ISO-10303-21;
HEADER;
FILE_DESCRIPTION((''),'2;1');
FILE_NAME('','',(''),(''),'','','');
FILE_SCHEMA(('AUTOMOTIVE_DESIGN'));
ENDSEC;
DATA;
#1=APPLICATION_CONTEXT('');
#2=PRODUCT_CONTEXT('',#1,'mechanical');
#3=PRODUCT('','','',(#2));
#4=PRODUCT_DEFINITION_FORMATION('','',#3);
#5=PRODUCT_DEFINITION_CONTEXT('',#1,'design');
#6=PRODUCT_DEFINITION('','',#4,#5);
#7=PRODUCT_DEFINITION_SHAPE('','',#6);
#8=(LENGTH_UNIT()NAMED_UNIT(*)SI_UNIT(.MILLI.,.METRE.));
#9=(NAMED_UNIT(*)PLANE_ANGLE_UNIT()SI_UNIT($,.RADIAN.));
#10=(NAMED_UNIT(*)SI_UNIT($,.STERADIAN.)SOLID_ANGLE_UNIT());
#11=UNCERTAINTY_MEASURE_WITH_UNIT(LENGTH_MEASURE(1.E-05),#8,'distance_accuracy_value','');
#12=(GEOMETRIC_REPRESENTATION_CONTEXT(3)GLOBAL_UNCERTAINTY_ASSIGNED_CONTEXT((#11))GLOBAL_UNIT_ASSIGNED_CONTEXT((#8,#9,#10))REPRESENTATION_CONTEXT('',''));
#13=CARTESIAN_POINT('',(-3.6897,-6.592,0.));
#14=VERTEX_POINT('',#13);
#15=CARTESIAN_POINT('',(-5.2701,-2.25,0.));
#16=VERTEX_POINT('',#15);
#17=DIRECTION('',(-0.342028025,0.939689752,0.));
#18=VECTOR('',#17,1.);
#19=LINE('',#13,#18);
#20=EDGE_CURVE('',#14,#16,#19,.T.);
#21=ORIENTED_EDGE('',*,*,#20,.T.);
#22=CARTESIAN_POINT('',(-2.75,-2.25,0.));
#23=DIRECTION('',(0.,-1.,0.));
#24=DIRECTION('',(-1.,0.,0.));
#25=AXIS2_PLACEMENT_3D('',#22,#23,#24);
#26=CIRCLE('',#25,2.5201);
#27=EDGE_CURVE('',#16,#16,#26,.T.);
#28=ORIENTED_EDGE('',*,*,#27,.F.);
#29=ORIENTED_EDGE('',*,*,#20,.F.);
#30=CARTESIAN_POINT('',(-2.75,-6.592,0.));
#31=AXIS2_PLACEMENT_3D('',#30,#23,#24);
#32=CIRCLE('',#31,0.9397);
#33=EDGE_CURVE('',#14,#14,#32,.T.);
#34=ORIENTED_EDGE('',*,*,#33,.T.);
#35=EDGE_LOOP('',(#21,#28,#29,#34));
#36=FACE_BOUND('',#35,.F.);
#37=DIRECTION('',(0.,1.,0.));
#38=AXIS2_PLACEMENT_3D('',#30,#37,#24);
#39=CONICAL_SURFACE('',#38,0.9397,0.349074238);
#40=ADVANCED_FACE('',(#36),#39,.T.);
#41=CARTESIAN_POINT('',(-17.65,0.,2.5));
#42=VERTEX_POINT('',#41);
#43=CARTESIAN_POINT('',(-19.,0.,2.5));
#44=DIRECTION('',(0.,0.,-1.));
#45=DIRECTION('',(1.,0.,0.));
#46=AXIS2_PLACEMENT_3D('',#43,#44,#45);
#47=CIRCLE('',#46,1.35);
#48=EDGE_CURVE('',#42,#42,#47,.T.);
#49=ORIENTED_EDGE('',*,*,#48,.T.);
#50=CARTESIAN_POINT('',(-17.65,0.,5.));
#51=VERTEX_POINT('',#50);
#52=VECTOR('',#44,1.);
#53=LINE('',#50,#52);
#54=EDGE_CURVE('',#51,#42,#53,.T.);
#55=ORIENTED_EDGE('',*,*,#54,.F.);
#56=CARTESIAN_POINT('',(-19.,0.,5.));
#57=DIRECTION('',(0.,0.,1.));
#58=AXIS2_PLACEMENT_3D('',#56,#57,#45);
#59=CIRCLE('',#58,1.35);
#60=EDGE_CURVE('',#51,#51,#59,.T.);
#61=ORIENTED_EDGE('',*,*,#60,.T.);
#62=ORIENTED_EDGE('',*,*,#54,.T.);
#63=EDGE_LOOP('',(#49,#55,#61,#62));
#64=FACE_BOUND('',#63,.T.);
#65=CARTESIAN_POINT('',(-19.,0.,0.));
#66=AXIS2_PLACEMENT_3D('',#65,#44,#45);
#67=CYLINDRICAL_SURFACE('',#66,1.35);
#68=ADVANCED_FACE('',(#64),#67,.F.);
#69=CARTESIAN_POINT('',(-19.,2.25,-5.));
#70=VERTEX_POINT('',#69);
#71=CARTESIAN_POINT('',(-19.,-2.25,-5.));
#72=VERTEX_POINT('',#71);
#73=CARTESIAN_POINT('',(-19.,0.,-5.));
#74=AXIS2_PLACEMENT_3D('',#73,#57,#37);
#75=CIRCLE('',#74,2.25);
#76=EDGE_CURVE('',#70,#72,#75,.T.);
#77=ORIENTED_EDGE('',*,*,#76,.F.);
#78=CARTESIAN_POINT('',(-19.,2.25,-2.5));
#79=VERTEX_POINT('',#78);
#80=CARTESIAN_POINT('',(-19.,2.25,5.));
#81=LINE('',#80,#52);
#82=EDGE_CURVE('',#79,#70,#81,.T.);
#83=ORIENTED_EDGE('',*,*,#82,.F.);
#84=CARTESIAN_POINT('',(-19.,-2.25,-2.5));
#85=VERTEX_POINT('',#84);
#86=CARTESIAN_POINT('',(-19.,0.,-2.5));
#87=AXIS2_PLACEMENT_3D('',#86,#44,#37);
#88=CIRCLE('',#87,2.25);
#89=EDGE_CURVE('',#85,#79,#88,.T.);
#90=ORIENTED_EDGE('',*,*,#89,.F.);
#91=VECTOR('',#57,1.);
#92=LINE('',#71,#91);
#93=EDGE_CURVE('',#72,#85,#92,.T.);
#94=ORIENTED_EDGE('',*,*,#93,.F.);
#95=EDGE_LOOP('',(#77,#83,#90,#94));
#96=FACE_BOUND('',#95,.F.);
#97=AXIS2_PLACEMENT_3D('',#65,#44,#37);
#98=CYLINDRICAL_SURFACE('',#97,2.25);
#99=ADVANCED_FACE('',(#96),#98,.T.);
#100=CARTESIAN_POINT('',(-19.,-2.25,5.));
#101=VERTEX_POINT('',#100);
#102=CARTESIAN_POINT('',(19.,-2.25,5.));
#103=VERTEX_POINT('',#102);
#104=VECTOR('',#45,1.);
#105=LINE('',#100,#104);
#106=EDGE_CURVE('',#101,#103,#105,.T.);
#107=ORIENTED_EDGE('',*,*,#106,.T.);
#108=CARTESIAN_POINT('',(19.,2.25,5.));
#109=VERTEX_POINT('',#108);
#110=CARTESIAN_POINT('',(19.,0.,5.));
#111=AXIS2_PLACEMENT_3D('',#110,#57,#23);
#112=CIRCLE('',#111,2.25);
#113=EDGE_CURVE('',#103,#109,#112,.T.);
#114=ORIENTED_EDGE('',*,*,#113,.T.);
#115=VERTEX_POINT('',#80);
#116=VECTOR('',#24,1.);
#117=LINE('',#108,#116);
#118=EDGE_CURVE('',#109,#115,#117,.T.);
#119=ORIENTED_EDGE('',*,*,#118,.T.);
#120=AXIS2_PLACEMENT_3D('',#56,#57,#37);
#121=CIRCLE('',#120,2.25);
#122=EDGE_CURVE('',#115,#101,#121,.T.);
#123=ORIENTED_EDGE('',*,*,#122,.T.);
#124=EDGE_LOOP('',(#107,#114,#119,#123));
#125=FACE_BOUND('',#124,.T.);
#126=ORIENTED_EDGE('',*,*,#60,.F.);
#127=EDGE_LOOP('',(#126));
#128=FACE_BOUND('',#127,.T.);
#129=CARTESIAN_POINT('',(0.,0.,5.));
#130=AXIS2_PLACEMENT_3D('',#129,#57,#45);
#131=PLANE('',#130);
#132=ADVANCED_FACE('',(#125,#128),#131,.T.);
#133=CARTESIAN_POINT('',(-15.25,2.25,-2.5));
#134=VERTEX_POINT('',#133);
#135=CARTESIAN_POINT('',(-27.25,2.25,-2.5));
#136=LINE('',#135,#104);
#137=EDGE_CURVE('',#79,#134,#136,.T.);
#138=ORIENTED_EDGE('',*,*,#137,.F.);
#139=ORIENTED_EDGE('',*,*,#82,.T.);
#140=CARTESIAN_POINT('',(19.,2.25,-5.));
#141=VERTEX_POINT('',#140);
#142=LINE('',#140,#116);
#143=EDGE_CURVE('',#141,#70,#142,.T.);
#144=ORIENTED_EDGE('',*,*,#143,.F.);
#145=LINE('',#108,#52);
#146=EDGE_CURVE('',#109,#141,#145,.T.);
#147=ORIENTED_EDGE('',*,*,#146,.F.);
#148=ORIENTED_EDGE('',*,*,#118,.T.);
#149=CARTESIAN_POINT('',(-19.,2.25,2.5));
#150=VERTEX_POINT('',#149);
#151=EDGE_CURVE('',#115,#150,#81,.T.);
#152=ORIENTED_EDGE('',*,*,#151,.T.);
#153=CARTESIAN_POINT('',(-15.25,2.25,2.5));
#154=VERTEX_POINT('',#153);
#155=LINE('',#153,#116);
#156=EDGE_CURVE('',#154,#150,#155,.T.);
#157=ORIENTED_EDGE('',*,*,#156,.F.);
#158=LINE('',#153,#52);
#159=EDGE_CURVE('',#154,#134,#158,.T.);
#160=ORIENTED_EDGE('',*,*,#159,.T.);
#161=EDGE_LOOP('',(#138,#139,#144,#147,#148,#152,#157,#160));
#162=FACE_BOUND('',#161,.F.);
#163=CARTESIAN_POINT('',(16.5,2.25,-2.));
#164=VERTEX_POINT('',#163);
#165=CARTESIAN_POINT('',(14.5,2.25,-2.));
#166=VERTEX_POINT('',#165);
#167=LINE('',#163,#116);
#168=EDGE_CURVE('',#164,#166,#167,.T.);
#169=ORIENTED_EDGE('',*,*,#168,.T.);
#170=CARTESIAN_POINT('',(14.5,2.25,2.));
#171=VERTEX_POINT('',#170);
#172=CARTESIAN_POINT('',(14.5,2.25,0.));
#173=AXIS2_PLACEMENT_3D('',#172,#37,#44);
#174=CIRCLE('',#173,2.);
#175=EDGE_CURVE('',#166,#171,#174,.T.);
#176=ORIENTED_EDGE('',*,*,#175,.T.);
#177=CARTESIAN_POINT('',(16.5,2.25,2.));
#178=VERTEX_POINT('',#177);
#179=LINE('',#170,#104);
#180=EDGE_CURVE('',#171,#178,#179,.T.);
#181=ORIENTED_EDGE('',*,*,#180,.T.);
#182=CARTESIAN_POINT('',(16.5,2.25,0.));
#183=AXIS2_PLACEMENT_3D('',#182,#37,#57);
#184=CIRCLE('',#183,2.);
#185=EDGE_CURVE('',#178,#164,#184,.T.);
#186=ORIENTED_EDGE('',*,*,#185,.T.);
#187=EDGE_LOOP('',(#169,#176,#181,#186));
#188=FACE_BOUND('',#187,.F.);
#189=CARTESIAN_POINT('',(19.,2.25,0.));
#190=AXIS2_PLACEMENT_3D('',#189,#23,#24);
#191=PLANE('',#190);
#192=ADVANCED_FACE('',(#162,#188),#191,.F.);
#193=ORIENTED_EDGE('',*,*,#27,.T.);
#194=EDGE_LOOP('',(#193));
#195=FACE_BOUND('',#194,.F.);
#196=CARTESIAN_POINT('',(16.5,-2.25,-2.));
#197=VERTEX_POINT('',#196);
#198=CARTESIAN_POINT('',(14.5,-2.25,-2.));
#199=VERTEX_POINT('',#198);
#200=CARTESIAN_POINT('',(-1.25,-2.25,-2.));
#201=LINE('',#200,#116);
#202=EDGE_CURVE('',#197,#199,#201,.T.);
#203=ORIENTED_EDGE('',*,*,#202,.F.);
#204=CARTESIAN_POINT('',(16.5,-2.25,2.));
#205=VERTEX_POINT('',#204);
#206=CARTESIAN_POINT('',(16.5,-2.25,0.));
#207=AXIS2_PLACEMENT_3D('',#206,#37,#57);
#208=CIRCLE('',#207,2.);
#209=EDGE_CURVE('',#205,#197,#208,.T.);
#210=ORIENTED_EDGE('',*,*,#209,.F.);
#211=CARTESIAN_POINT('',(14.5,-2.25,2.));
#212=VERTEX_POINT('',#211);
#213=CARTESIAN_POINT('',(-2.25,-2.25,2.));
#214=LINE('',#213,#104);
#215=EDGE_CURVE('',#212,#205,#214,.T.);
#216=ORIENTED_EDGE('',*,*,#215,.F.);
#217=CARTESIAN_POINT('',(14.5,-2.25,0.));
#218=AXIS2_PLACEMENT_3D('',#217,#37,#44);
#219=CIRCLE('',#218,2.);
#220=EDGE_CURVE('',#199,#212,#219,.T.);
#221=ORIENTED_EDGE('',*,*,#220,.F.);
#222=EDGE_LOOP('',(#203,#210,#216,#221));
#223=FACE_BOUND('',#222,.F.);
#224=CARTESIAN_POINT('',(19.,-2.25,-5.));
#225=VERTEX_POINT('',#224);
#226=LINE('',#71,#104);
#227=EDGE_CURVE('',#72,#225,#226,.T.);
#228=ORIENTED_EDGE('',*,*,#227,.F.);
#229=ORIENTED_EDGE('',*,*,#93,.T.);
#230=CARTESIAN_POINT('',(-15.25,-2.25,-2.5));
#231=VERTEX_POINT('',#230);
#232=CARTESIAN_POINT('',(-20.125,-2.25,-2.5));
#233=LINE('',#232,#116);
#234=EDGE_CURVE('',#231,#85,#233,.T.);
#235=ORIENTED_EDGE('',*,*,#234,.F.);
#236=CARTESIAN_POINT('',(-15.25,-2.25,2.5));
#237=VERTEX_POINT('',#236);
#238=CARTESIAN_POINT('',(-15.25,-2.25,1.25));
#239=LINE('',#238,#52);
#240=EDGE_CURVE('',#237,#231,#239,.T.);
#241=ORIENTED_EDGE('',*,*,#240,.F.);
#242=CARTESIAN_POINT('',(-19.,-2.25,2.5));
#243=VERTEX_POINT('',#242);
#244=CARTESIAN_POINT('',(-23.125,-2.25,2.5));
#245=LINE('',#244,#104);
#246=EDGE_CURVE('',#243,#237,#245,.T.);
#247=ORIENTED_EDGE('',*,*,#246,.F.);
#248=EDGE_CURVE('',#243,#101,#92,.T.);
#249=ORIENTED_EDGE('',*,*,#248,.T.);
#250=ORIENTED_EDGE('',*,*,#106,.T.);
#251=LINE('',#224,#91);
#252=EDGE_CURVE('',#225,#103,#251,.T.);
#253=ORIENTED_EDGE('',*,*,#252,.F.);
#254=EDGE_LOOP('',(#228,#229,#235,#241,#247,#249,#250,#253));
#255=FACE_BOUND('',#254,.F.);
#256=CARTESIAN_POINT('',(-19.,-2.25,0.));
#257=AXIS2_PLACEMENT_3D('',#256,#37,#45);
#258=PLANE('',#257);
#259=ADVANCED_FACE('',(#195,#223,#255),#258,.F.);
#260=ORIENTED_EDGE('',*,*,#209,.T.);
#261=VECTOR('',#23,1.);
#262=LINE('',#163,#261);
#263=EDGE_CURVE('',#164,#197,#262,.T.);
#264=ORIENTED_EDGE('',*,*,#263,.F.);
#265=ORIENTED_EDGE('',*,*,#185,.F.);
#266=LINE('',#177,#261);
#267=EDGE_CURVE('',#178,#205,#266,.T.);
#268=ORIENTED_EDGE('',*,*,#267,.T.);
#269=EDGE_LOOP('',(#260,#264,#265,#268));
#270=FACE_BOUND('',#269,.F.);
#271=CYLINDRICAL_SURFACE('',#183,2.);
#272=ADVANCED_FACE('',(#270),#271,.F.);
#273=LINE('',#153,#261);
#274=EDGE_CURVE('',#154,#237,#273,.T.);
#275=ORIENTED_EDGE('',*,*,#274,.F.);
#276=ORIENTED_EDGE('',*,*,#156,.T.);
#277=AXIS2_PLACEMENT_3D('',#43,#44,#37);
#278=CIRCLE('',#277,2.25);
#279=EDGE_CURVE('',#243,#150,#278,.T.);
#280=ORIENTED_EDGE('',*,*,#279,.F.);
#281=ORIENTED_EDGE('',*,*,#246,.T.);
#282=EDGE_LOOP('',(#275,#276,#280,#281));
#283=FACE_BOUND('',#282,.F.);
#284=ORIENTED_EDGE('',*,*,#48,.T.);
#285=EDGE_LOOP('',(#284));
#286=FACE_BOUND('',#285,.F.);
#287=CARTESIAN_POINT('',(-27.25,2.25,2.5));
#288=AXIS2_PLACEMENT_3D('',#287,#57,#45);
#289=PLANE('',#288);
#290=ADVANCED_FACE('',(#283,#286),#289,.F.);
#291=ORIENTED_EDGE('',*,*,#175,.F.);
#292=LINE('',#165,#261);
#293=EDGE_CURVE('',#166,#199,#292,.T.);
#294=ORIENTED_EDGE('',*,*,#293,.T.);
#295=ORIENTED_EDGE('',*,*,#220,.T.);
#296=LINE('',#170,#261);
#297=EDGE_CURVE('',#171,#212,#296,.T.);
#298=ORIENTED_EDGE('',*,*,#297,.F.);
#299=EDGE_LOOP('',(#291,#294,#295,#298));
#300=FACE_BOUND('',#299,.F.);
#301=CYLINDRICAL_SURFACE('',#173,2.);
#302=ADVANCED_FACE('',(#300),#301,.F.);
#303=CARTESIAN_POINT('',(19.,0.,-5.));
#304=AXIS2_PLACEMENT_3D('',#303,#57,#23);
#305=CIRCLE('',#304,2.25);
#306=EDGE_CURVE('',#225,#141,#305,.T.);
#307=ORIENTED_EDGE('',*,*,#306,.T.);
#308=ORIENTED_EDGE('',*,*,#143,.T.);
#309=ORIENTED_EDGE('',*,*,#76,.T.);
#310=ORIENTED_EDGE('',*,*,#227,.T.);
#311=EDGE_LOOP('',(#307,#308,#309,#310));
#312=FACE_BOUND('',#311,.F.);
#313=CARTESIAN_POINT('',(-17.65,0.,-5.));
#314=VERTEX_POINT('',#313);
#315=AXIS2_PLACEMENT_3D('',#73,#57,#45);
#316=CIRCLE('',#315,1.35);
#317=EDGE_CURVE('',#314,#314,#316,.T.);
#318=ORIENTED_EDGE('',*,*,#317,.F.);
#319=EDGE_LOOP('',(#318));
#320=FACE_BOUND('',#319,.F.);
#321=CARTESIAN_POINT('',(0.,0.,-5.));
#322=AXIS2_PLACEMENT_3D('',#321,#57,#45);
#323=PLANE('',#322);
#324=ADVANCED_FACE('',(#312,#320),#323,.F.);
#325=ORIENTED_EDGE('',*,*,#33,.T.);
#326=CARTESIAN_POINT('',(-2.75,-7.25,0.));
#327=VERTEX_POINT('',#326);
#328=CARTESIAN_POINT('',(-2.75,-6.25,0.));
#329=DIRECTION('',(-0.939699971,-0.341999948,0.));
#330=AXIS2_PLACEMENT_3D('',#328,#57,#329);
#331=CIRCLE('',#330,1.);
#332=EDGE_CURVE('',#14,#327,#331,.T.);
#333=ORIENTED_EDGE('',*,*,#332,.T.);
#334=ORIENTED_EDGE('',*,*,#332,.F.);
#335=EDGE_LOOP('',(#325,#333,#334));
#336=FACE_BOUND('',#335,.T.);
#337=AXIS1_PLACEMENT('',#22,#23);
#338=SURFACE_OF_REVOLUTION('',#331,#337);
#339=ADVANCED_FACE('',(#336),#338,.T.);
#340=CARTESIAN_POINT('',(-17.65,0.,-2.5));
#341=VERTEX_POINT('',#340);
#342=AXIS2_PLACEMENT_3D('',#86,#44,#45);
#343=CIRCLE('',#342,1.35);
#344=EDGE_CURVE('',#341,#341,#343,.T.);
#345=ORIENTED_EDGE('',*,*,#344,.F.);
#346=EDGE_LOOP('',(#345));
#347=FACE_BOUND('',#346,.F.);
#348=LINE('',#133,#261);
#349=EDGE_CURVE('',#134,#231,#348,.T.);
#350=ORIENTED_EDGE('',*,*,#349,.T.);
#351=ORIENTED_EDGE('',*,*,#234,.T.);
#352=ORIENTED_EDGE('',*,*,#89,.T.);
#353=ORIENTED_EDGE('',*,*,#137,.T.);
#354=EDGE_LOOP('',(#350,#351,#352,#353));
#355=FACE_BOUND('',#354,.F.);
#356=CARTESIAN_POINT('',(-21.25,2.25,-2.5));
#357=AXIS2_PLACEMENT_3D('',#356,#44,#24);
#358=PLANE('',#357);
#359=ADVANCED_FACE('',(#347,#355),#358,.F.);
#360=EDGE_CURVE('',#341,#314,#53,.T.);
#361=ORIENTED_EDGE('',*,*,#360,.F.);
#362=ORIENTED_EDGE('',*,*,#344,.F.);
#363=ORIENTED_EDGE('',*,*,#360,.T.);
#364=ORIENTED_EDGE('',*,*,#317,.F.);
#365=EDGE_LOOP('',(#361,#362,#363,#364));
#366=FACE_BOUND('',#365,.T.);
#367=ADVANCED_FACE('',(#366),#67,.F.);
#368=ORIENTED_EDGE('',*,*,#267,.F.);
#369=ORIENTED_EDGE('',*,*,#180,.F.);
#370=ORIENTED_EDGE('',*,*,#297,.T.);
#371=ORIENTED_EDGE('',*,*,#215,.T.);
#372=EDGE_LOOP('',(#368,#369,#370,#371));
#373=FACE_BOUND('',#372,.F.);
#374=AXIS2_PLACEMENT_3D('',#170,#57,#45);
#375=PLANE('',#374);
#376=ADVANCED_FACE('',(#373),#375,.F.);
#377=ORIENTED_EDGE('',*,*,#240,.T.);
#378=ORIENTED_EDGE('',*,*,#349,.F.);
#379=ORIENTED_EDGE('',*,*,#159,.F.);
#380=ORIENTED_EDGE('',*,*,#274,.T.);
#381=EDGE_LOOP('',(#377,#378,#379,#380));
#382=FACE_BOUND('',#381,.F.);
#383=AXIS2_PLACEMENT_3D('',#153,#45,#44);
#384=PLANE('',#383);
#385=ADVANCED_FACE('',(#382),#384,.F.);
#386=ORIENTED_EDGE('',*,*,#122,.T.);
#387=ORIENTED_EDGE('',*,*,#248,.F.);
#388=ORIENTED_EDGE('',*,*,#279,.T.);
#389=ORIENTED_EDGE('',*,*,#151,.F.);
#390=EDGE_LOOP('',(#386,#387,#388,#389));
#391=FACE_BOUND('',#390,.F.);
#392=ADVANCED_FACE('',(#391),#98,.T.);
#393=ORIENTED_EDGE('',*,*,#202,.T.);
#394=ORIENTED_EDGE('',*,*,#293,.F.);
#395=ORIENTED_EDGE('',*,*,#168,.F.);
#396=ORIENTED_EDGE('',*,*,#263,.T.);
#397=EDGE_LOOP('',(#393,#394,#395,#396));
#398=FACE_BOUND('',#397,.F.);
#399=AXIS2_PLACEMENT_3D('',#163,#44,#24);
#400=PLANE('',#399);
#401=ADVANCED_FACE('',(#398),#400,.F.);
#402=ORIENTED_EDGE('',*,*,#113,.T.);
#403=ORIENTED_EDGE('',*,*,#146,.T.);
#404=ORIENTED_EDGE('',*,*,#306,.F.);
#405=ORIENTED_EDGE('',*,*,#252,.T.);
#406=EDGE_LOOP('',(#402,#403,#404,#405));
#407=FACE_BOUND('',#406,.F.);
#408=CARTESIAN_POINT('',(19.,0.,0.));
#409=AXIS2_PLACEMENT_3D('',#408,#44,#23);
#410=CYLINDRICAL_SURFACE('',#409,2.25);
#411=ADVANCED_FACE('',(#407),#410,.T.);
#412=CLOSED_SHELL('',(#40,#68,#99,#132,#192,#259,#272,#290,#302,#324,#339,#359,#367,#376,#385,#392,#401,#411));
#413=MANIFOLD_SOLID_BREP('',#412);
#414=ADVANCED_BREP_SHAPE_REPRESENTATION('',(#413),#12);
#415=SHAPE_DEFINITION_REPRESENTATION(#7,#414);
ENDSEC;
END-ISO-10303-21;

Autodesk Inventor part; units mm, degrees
ref_plane "YZ Plane" through (0, 0, 0) normal (1, 0, 0) x (0, 1, 0)
ref_plane "XZ Plane" through (0, 0, 0) normal (0, 1, 0) x (-1, 0, 0)
ref_plane "XY Plane" through (0, 0, 0) normal (0, 0, 1) x (1, 0, 0)
sketch "Sketch1" plane through (0, 0, 0) normal (0, 0, 1) x (1, 0, 0)
  line L0 (-19, 0) -> (19, 0) construction
  line L1 (-19, -2.25) -> (19, -2.25)
  line L2 (19, 2.25) -> (-19, 2.25)
  arc A0 (-19, 2.25) -> (-19, -2.25) centre (-19, 0) ccw
  arc A1 (19, -2.25) -> (19, 2.25) centre (19, 0) ccw
  circle A2 centre (-19, 0) radius 1.35
  point P0 (0, 0)
  dimension "d0" = 4.5
  dimension "d1" = 38
  dimension "d8" = 2.7
extrude "Extrusion1" add sketch "Sketch1" along normal mid plane 10
sketch "Sketch2" plane through (-19, 2.25, -5) normal (0, 1, 0) x (1, 0, 0)
  line L0 (-8.25, -7.5) -> (3.75, -7.5)
  line L1 (3.75, -7.5) -> (3.75, -2.5)
  line L2 (3.75, -2.5) -> (-8.25, -2.5)
  line L3 (-8.25, -2.5) -> (-8.25, -7.5)
  line L4 (-2.25, 0) -> (-2.25, -10) projected
  line L5 (-8.25, -7.5) -> (3.75, -2.5) construction
  line L6 (3.75, -7.5) -> (-8.25, -2.5) construction
  point P0 (19, -5)
  point P1 (-2.25, -5)
  dimension "d4" = 5
  dimension "d5" = 6
extrude "Extrusion2" cut sketch "Sketch2" against normal through all
sketch "Sketch3" plane through (-19, 2.25, -5) normal (0, 1, 0) x (1, 0, 0)
  line L0 (1.35, -10) -> (-1.35, -10) construction
  line L1 (-1.35, 0) -> (1.35, 0) construction
  line L2 (0, -7.5) -> (0, -10) construction
  line L3 (0, -10) -> (0, 0) construction
  line L4 (0, -5) -> (34.5, -5) construction
  line L5 (35.5, -5) -> (33.5, -5) construction
  line L6 (35.5, -3) -> (33.5, -3)
  line L7 (33.5, -7) -> (35.5, -7)
  arc A0 (35.5, -7) -> (35.5, -3) centre (35.5, -5) ccw
  arc A1 (33.5, -3) -> (33.5, -7) centre (33.5, -5) ccw
  point P0 (19, -5)
  dimension "d9" = 34.5
  dimension "d11" = 2
  dimension "d12" = 2
extrude "Extrusion3" cut sketch "Sketch3" against normal through all
sketch "Sketch4" plane through (0, 0, 0) normal (0, 0, 1) x (1, 0, 0)
  line L0 (-19, -2.25) -> (19, -2.25) projected
  line L1 (-2.75, -2.25) -> (-2.75, -7.25)
  line L2 (-3.6897, -6.592) -> (-5.2701, -2.25)
  arc A0 (-3.6897, -6.592) -> (-2.75, -7.25) centre (-2.75, -6.25) ccw
  circle A1 centre (-19, 0) radius 1.35 projected
  point P0 (0, 0)
  dimension "d15" = 1
  dimension "d16" = 70
  dimension "d18" = 16.25
  dimension "d21" = 5
revolve "Revolution1" add sketch "Sketch4" angle 360 about axis through (-2.75, -2.25, 0) along (0, -1, 0) contours L0 L1 A0 L2
sketch "Sketch5" plane through (-19, 2.25, 5) normal (0, 1, 0) x (1, 0, 0)
  line L0 (42.5072, 5) -> (-11.8612, 5)
  line L1 (-11.8612, 5) -> (-11.8612, 14.1834)
  line L2 (-11.8612, 14.1834) -> (42.5072, 14.1834)
  line L3 (42.5072, 14.1834) -> (42.5072, 5)
  point P0 (19, 5)
properties part number "RegulatorHinge"
